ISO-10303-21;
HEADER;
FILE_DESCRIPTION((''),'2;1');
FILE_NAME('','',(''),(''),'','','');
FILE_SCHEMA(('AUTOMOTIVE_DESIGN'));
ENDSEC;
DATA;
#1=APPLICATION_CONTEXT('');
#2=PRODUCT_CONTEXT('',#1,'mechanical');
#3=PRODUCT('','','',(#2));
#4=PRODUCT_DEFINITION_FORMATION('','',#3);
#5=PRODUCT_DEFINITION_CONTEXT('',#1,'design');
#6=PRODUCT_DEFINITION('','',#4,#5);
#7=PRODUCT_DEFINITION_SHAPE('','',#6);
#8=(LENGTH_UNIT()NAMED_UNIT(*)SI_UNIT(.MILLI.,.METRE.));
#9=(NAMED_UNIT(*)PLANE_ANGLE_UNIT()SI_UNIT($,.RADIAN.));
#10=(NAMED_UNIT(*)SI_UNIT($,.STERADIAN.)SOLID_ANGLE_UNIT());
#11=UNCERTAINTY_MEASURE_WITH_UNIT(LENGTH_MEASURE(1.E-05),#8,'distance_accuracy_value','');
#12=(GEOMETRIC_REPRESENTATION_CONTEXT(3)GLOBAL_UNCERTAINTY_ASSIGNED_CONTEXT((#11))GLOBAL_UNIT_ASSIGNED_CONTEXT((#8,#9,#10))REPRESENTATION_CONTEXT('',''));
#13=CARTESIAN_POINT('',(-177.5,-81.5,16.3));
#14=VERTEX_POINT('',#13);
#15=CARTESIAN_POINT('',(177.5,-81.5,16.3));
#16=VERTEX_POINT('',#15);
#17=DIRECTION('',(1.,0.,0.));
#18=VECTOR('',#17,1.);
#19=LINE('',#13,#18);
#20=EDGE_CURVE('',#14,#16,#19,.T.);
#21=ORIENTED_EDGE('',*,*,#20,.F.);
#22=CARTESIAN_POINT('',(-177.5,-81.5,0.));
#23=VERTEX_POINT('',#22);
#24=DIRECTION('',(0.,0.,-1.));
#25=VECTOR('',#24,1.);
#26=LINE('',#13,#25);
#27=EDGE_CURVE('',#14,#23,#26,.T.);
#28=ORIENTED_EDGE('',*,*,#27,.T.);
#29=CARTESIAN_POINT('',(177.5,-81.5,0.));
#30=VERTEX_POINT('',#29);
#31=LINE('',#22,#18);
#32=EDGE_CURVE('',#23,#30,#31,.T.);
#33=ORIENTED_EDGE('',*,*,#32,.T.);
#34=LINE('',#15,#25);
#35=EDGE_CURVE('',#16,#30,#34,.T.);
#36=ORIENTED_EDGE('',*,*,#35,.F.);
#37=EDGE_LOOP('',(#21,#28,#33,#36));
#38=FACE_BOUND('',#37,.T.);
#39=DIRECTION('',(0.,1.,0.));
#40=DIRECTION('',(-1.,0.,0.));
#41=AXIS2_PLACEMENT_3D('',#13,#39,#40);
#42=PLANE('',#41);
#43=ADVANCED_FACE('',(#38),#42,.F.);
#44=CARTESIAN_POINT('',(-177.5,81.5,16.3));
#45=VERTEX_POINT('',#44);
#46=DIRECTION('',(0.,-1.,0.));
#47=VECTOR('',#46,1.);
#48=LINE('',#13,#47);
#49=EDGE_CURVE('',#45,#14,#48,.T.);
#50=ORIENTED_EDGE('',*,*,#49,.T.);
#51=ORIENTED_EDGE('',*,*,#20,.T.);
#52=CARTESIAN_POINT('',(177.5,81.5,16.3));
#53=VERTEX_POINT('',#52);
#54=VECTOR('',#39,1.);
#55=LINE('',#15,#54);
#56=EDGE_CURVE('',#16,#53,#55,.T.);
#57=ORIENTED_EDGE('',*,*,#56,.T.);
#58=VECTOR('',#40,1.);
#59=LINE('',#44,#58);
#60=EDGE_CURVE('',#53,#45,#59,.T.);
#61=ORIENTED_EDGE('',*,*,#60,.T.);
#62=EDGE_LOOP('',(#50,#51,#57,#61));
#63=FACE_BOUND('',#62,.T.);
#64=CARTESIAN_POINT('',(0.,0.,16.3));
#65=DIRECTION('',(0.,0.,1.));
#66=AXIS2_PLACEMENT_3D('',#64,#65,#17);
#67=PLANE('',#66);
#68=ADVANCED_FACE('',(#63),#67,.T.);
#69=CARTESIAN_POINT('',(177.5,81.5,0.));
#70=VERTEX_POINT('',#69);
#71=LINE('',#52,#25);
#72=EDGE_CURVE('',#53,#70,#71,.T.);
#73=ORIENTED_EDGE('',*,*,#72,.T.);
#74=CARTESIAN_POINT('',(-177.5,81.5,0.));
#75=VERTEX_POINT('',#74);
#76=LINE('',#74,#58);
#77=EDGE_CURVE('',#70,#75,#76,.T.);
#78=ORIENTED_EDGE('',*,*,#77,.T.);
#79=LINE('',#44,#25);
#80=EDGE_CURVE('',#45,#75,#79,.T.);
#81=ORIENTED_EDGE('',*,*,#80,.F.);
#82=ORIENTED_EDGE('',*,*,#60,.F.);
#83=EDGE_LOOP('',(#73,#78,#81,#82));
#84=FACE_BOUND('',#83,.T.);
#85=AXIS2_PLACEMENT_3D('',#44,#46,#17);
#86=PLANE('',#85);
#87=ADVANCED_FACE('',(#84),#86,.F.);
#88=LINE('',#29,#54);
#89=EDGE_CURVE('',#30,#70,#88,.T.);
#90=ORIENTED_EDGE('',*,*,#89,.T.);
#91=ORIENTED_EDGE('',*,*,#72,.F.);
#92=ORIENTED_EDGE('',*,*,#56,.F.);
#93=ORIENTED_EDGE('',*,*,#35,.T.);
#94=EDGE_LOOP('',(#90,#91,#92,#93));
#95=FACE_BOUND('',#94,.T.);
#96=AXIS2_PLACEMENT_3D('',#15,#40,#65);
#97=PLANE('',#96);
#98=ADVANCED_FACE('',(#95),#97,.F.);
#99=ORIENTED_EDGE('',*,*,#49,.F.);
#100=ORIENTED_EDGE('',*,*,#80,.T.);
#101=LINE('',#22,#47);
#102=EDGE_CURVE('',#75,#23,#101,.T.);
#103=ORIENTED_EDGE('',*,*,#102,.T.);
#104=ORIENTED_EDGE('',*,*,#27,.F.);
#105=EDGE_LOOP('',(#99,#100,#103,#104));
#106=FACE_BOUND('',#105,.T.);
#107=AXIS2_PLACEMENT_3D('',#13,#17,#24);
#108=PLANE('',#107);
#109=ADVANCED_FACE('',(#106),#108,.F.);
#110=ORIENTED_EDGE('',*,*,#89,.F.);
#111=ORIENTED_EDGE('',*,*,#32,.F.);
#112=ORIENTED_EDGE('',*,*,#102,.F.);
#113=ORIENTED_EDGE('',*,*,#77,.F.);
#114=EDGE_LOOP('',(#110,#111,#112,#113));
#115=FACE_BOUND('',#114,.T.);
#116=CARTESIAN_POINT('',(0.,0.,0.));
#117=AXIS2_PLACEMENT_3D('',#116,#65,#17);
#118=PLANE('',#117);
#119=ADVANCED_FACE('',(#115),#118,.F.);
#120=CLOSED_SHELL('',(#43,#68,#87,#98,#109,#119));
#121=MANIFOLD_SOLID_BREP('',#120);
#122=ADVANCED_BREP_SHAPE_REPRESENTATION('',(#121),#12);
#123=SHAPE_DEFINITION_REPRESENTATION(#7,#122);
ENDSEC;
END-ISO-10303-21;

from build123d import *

# Parameters (mm, degrees)
SKETCH1_W           = 355
SKETCH1_H           = 163
BOSS_EXTRUDE1_DEPTH = 16.3


with BuildPart() as part:
    # Sketch1 → Boss-Extrude1 (new body)
    with BuildSketch(Plane.XY):
        Rectangle(SKETCH1_W, SKETCH1_H)
    extrude(amount=BOSS_EXTRUDE1_DEPTH)


solid = part.part
